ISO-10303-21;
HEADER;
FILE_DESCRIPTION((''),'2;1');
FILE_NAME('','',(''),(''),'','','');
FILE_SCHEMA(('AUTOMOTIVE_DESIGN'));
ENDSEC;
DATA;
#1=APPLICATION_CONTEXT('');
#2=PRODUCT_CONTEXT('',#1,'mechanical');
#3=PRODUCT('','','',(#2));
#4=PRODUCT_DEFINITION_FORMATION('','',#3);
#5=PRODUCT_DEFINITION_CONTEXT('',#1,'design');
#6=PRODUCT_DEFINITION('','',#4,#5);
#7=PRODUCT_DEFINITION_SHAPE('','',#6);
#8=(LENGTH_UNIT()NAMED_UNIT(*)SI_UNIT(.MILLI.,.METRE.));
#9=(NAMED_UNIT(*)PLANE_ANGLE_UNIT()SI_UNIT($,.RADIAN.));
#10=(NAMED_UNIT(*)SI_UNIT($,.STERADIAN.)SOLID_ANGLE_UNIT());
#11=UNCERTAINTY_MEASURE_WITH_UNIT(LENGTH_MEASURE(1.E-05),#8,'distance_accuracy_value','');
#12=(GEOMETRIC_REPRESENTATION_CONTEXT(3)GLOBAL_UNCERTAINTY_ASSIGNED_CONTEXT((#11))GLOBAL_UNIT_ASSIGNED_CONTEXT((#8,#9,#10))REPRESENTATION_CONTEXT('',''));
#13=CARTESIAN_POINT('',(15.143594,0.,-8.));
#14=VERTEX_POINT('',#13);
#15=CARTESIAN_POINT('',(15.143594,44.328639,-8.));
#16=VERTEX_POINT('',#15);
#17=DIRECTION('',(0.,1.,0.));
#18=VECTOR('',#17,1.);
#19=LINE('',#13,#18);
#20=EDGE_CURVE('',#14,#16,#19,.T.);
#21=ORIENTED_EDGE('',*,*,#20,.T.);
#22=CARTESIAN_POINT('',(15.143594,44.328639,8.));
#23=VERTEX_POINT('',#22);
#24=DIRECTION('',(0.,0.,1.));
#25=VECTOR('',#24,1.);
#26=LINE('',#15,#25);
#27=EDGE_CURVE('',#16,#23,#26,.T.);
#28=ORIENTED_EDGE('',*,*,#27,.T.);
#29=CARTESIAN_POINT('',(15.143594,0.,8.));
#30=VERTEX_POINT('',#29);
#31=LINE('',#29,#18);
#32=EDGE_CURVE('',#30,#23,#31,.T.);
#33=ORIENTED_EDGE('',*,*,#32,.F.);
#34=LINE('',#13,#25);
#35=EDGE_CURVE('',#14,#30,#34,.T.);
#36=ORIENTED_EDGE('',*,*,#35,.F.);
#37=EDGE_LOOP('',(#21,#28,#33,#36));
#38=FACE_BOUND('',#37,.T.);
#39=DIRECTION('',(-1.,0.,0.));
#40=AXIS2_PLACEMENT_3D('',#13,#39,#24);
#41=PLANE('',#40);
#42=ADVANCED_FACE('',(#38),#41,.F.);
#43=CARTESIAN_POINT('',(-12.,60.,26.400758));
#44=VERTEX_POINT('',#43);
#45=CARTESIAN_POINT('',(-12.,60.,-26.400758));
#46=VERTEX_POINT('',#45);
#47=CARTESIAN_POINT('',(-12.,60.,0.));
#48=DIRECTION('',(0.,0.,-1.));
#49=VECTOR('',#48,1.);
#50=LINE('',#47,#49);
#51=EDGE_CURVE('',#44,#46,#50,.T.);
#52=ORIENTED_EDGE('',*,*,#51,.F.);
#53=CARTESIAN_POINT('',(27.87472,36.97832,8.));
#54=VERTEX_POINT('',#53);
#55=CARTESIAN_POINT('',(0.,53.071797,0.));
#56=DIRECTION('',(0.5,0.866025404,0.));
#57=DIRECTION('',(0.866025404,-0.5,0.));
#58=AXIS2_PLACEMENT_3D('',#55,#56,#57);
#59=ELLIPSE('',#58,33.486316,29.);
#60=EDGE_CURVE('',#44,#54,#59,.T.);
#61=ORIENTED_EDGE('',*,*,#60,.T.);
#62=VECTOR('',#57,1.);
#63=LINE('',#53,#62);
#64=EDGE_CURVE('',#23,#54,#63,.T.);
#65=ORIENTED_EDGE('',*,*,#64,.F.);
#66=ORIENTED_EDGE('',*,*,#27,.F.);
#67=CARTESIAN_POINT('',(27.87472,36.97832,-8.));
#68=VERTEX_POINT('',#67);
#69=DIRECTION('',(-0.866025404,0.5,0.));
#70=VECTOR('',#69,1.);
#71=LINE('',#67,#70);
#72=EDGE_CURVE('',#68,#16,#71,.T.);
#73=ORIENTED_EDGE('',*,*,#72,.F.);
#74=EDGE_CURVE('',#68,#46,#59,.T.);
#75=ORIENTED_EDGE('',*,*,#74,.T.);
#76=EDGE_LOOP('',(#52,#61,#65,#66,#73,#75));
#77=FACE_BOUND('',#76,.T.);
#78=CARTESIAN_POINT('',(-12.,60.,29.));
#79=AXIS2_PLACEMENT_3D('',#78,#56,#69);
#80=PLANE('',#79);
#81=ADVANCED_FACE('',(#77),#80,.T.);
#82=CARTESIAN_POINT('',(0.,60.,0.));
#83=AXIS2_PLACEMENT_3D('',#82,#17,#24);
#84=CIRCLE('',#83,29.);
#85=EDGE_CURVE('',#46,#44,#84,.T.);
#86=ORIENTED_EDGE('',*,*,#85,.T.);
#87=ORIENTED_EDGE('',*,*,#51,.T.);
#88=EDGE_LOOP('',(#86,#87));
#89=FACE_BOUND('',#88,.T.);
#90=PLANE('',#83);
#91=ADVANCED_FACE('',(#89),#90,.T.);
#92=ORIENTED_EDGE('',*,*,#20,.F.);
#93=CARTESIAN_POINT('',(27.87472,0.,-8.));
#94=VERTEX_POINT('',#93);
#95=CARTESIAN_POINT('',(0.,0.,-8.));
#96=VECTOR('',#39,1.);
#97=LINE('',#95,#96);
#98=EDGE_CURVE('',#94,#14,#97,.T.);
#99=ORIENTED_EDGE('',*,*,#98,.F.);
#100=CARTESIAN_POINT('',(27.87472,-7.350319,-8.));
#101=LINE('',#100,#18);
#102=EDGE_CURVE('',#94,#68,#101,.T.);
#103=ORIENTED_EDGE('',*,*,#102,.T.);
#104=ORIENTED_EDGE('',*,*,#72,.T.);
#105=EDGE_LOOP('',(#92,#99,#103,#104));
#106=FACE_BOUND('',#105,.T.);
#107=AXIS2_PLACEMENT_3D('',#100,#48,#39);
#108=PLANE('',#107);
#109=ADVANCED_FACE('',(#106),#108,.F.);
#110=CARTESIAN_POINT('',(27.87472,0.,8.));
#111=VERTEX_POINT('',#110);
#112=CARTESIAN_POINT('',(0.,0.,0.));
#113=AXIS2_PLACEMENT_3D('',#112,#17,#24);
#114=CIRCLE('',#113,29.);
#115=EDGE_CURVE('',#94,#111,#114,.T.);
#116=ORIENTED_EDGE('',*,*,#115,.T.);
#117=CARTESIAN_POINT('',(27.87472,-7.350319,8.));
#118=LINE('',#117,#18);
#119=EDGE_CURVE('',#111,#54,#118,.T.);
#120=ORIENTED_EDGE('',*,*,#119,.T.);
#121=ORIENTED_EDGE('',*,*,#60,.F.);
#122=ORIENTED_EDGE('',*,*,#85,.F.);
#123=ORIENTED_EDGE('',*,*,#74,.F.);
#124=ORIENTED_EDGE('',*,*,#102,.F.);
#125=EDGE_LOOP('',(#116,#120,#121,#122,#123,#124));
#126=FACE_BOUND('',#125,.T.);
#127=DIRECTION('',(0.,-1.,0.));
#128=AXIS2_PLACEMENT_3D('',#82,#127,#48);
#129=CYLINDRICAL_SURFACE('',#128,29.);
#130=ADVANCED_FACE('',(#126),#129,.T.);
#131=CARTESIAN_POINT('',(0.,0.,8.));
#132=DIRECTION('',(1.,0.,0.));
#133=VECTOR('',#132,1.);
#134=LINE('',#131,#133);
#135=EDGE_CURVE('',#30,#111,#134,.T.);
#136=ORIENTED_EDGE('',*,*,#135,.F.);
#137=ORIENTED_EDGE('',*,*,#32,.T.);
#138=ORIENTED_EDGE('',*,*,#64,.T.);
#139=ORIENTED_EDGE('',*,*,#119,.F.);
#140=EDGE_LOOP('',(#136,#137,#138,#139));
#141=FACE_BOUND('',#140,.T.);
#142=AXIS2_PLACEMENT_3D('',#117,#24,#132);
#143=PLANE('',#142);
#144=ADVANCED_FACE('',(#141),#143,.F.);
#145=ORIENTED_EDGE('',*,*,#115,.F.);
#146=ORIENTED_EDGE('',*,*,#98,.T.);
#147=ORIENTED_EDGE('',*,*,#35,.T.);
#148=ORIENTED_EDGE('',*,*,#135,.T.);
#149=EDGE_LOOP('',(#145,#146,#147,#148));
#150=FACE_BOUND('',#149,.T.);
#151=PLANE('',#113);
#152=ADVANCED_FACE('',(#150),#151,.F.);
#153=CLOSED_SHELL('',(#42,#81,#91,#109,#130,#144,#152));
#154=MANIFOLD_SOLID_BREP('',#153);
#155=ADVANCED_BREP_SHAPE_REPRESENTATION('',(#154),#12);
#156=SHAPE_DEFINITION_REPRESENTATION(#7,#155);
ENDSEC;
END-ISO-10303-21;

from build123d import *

# Parameters (mm, degrees)
SKETCH1_R               = 29
BOSS_EXTRUDE1_DEPTH     = 60
CUT_EXTRUDE1_DEPTH      = 30
CUT_EXTRUDE1_DEPTH_BACK = 30
CUT_EXTRUDE2_DEPTH      = 70.969655115


with BuildPart() as part:
    # Sketch1 → Boss-Extrude1 (new body)
    with BuildSketch(Plane(origin=(0, 0, 0), x_dir=(1, 0, 0), z_dir=(0, 1, 0))):
        Circle(SKETCH1_R)
    extrude(amount=BOSS_EXTRUDE1_DEPTH)

    # Sketch2 → Cut-Extrude1 (cut, two sides)
    with BuildSketch(Plane.XY) as cut_extrude1_sk:
        Polygon((-12, 60), (29, 36.328638963), (29, 60), align=None)
    extrude(amount=CUT_EXTRUDE1_DEPTH, mode=Mode.SUBTRACT)
    extrude(cut_extrude1_sk.sketch, amount=-CUT_EXTRUDE1_DEPTH_BACK, mode=Mode.SUBTRACT)

    # Sketch7 → Cut-Extrude2 (cut, through all, along a direction that is not the sketch's normal)
    with BuildSketch(Plane(origin=(22.980762114, 39.803847577, 0), x_dir=(0.866025404, -0.5, 0), z_dir=(0.5, 0.866025404, 0))):
        with BuildLine():
            Line((5.651055494, 8), (-9.049582772, 8))
            Line((-9.049582772, 8), (-9.049582772, -8))
            Line((-9.049582772, -8), (5.651055494, -8))
            ThreePointArc((5.651055494, -8), (6.950417228, 0), (5.651055494, 8))
        make_face()
    extrude(amount=-CUT_EXTRUDE2_DEPTH, dir=(0, 1, 0), mode=Mode.SUBTRACT)


solid = part.part
